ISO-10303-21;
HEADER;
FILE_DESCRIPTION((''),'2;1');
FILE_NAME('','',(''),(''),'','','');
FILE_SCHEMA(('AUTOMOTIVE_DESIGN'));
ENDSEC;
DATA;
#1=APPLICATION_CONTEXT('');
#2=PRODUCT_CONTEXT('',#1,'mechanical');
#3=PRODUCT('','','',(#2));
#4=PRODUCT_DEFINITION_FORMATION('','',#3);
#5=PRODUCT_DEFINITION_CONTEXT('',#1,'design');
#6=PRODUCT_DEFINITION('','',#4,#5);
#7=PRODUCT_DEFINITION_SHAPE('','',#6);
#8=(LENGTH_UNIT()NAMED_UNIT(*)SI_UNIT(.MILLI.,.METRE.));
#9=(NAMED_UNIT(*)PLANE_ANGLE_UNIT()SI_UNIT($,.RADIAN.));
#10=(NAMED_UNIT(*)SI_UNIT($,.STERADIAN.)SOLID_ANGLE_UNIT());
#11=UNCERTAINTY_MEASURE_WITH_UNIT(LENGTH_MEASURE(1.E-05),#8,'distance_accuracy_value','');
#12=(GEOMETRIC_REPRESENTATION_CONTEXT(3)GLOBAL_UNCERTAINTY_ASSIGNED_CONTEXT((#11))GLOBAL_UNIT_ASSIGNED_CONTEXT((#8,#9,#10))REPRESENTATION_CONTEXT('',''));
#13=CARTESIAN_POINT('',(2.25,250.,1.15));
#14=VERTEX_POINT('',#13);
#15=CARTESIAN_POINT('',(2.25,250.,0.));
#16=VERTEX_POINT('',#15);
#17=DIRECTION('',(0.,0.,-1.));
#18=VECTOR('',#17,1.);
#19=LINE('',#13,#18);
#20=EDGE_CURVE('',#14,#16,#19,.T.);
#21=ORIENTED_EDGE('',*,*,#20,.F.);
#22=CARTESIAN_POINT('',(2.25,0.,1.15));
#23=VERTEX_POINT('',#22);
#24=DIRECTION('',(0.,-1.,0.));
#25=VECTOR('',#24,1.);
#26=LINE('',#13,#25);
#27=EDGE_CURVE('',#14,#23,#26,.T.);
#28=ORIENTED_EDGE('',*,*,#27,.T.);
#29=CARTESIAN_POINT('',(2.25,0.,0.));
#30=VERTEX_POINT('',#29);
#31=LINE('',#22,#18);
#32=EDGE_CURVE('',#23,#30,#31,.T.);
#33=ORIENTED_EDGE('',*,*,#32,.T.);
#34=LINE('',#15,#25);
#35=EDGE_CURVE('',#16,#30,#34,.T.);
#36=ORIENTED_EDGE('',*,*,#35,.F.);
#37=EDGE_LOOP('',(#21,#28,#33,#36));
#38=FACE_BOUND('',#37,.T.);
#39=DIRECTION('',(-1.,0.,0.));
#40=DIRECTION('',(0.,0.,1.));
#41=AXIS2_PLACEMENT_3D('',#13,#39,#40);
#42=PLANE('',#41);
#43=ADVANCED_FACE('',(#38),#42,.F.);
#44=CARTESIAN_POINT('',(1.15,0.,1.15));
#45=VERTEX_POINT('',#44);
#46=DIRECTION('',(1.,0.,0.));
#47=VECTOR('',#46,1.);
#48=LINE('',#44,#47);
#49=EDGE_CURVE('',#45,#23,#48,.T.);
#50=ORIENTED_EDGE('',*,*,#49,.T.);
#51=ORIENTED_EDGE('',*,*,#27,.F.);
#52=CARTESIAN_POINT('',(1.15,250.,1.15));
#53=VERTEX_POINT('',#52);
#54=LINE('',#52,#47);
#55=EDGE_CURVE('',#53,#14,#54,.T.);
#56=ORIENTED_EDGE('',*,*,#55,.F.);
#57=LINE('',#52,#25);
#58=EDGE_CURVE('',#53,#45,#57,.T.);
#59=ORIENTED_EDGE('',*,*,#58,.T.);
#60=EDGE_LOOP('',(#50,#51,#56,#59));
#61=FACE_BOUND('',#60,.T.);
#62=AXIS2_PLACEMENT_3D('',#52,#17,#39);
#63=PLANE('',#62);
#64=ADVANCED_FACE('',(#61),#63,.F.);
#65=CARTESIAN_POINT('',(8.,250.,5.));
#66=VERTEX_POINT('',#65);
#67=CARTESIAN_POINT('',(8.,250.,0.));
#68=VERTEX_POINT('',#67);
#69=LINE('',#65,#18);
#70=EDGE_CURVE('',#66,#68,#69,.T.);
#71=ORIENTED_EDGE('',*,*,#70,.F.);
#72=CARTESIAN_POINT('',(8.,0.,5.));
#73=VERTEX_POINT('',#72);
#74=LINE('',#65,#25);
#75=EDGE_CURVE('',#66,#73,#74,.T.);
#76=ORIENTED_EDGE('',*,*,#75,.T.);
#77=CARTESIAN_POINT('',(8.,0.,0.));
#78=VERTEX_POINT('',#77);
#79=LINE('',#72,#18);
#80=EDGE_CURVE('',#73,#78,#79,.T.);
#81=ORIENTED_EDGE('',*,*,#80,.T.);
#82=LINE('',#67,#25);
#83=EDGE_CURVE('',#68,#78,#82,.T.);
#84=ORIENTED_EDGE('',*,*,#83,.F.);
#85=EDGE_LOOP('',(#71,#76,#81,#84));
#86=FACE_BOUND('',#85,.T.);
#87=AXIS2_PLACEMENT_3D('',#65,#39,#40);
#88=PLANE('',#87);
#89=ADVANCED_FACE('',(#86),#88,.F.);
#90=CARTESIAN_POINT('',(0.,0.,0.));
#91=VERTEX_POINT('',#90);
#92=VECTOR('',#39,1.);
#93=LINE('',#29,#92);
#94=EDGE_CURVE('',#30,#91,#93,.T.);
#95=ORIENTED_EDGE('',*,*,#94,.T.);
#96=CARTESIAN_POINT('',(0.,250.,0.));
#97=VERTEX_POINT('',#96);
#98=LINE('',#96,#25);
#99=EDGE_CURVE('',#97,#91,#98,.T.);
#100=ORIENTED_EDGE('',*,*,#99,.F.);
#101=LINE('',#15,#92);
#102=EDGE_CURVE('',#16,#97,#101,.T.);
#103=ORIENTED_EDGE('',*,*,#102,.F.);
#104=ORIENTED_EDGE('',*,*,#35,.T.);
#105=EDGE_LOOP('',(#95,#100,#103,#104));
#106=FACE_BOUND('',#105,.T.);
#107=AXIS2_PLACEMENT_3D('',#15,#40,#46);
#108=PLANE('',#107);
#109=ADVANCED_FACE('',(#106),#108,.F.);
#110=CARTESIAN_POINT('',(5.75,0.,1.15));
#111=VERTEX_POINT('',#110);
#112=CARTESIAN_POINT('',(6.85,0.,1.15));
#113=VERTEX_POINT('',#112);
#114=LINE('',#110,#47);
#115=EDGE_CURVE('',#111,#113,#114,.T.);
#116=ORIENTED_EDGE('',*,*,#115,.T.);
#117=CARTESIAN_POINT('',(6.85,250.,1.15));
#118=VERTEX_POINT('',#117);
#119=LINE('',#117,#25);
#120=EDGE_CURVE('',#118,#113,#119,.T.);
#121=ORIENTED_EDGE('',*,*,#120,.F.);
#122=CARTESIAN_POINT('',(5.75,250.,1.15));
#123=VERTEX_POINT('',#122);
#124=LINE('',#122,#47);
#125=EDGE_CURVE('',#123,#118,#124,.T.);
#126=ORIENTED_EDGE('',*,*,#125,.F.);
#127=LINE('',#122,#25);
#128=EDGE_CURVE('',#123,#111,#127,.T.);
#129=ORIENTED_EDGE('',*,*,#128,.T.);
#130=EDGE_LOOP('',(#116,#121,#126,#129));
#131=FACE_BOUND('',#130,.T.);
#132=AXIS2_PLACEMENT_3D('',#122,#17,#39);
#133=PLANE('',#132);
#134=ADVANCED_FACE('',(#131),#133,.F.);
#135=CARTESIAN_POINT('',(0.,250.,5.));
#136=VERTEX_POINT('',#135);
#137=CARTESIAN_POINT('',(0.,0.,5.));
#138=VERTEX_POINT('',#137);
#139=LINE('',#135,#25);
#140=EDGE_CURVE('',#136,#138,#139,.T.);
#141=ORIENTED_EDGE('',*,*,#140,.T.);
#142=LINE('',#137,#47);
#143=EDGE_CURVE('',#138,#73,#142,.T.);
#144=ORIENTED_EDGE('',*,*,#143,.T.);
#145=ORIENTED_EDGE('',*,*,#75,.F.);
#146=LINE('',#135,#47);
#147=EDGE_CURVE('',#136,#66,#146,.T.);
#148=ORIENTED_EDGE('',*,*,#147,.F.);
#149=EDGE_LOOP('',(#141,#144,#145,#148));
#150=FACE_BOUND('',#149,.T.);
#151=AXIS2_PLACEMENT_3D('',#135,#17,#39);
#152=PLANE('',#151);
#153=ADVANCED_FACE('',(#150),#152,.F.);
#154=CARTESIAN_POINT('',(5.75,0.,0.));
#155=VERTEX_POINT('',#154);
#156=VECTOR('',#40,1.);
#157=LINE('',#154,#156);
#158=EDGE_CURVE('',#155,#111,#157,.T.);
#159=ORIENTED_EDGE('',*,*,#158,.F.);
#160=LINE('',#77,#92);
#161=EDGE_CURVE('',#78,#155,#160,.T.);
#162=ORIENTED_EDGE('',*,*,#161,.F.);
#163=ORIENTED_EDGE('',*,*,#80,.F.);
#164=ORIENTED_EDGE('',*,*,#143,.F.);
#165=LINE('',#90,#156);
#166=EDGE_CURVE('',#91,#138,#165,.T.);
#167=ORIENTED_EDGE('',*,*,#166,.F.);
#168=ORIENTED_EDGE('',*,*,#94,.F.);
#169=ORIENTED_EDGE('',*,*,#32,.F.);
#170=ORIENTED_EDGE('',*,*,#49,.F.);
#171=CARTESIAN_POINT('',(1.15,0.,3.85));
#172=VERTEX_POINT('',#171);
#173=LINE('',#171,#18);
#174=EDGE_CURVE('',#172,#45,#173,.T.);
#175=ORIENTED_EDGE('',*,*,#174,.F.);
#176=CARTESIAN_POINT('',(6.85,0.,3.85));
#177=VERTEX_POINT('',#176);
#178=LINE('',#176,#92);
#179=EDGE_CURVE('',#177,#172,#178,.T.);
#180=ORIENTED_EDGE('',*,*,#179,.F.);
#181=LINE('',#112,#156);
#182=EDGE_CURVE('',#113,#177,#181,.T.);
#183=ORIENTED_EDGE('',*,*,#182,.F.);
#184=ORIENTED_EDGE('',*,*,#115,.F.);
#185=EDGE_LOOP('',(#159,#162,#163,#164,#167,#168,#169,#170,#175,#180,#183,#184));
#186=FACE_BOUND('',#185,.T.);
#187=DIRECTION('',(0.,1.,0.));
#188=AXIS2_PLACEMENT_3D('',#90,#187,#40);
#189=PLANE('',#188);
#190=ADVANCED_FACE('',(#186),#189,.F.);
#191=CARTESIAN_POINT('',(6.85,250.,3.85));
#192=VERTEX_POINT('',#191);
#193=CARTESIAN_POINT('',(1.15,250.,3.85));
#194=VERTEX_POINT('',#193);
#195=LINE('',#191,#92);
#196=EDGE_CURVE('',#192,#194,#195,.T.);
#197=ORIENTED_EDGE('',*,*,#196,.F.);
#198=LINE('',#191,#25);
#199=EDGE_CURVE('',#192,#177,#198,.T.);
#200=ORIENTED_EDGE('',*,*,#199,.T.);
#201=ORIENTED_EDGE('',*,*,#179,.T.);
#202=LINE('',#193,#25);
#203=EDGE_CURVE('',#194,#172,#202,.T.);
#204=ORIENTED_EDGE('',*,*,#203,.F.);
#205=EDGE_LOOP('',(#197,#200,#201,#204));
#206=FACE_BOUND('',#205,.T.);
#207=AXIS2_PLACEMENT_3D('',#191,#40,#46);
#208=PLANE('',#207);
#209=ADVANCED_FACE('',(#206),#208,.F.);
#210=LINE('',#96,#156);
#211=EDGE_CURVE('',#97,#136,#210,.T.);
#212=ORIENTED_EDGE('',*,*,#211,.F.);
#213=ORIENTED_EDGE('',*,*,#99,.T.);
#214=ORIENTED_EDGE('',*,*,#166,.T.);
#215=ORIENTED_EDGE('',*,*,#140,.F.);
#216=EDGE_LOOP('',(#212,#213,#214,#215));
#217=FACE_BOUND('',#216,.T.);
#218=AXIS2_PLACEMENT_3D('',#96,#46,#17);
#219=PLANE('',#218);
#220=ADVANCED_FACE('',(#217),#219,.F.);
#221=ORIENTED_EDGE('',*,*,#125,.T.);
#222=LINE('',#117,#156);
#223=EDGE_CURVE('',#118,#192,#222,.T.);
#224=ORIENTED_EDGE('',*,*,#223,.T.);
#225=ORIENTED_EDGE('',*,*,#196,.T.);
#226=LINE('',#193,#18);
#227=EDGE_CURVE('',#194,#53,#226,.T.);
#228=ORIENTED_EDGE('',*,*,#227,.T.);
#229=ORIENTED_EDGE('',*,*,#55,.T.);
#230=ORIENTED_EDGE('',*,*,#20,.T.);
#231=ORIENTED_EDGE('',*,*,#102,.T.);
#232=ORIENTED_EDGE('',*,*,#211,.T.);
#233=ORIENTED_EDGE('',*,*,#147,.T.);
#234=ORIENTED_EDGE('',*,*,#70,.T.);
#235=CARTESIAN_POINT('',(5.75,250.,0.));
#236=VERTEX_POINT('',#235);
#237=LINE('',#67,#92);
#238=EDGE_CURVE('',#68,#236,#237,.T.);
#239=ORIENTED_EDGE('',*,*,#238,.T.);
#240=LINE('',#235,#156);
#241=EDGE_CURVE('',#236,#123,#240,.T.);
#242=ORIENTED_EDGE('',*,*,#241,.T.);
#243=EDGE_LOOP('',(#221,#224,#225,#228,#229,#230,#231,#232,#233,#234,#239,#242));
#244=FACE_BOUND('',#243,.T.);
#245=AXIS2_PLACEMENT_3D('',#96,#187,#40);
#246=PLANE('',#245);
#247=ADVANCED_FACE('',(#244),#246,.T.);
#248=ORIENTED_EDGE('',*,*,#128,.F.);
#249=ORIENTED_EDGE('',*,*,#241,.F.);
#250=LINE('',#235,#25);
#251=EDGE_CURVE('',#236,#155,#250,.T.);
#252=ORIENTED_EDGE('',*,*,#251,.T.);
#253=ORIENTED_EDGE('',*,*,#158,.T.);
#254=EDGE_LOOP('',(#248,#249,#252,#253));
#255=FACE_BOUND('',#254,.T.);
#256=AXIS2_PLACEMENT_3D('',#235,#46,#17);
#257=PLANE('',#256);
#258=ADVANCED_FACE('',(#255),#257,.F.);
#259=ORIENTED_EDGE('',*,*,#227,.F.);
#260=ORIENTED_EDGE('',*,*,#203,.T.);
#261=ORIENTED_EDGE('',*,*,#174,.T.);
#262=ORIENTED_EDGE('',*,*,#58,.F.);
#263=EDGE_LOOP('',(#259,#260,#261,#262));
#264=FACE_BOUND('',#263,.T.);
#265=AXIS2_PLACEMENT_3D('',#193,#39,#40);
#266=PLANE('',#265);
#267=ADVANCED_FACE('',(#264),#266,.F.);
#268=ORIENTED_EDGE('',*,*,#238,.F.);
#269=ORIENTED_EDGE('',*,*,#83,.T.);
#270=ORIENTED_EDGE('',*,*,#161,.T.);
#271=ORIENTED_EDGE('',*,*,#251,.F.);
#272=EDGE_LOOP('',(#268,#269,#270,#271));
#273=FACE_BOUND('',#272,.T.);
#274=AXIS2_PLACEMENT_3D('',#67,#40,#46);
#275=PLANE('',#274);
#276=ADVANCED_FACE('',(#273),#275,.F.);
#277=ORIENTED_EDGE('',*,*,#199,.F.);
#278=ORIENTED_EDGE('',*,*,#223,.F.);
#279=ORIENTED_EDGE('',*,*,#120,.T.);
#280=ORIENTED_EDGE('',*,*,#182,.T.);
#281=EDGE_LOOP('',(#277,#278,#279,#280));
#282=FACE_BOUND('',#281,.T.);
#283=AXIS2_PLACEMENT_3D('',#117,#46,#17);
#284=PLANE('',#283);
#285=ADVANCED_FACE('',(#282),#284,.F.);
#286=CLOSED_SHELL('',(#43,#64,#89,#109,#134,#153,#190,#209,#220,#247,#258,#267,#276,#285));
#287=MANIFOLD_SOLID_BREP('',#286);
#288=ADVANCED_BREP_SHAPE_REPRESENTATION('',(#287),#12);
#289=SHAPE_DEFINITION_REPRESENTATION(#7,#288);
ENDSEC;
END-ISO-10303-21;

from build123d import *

# Parameters (mm, degrees)
EXTRUDE_1_DEPTH = 250


with BuildPart() as part:
    # 草图1 → 凸台-拉伸1 (new body)
    with BuildSketch(Plane(origin=(0, 0, 0), x_dir=(1, 0, 0), z_dir=(0, 1, 0))):
        Polygon((0, -5), (8, -5), (8, 0), (5.75, 0), (5.75, -1.15), (6.85, -1.15), (6.85, -3.85), (1.15, -3.85), (1.15, -1.15), (2.25, -1.15), (2.25, 0), (0, 0), align=None)
    extrude(amount=EXTRUDE_1_DEPTH)


solid = part.part
